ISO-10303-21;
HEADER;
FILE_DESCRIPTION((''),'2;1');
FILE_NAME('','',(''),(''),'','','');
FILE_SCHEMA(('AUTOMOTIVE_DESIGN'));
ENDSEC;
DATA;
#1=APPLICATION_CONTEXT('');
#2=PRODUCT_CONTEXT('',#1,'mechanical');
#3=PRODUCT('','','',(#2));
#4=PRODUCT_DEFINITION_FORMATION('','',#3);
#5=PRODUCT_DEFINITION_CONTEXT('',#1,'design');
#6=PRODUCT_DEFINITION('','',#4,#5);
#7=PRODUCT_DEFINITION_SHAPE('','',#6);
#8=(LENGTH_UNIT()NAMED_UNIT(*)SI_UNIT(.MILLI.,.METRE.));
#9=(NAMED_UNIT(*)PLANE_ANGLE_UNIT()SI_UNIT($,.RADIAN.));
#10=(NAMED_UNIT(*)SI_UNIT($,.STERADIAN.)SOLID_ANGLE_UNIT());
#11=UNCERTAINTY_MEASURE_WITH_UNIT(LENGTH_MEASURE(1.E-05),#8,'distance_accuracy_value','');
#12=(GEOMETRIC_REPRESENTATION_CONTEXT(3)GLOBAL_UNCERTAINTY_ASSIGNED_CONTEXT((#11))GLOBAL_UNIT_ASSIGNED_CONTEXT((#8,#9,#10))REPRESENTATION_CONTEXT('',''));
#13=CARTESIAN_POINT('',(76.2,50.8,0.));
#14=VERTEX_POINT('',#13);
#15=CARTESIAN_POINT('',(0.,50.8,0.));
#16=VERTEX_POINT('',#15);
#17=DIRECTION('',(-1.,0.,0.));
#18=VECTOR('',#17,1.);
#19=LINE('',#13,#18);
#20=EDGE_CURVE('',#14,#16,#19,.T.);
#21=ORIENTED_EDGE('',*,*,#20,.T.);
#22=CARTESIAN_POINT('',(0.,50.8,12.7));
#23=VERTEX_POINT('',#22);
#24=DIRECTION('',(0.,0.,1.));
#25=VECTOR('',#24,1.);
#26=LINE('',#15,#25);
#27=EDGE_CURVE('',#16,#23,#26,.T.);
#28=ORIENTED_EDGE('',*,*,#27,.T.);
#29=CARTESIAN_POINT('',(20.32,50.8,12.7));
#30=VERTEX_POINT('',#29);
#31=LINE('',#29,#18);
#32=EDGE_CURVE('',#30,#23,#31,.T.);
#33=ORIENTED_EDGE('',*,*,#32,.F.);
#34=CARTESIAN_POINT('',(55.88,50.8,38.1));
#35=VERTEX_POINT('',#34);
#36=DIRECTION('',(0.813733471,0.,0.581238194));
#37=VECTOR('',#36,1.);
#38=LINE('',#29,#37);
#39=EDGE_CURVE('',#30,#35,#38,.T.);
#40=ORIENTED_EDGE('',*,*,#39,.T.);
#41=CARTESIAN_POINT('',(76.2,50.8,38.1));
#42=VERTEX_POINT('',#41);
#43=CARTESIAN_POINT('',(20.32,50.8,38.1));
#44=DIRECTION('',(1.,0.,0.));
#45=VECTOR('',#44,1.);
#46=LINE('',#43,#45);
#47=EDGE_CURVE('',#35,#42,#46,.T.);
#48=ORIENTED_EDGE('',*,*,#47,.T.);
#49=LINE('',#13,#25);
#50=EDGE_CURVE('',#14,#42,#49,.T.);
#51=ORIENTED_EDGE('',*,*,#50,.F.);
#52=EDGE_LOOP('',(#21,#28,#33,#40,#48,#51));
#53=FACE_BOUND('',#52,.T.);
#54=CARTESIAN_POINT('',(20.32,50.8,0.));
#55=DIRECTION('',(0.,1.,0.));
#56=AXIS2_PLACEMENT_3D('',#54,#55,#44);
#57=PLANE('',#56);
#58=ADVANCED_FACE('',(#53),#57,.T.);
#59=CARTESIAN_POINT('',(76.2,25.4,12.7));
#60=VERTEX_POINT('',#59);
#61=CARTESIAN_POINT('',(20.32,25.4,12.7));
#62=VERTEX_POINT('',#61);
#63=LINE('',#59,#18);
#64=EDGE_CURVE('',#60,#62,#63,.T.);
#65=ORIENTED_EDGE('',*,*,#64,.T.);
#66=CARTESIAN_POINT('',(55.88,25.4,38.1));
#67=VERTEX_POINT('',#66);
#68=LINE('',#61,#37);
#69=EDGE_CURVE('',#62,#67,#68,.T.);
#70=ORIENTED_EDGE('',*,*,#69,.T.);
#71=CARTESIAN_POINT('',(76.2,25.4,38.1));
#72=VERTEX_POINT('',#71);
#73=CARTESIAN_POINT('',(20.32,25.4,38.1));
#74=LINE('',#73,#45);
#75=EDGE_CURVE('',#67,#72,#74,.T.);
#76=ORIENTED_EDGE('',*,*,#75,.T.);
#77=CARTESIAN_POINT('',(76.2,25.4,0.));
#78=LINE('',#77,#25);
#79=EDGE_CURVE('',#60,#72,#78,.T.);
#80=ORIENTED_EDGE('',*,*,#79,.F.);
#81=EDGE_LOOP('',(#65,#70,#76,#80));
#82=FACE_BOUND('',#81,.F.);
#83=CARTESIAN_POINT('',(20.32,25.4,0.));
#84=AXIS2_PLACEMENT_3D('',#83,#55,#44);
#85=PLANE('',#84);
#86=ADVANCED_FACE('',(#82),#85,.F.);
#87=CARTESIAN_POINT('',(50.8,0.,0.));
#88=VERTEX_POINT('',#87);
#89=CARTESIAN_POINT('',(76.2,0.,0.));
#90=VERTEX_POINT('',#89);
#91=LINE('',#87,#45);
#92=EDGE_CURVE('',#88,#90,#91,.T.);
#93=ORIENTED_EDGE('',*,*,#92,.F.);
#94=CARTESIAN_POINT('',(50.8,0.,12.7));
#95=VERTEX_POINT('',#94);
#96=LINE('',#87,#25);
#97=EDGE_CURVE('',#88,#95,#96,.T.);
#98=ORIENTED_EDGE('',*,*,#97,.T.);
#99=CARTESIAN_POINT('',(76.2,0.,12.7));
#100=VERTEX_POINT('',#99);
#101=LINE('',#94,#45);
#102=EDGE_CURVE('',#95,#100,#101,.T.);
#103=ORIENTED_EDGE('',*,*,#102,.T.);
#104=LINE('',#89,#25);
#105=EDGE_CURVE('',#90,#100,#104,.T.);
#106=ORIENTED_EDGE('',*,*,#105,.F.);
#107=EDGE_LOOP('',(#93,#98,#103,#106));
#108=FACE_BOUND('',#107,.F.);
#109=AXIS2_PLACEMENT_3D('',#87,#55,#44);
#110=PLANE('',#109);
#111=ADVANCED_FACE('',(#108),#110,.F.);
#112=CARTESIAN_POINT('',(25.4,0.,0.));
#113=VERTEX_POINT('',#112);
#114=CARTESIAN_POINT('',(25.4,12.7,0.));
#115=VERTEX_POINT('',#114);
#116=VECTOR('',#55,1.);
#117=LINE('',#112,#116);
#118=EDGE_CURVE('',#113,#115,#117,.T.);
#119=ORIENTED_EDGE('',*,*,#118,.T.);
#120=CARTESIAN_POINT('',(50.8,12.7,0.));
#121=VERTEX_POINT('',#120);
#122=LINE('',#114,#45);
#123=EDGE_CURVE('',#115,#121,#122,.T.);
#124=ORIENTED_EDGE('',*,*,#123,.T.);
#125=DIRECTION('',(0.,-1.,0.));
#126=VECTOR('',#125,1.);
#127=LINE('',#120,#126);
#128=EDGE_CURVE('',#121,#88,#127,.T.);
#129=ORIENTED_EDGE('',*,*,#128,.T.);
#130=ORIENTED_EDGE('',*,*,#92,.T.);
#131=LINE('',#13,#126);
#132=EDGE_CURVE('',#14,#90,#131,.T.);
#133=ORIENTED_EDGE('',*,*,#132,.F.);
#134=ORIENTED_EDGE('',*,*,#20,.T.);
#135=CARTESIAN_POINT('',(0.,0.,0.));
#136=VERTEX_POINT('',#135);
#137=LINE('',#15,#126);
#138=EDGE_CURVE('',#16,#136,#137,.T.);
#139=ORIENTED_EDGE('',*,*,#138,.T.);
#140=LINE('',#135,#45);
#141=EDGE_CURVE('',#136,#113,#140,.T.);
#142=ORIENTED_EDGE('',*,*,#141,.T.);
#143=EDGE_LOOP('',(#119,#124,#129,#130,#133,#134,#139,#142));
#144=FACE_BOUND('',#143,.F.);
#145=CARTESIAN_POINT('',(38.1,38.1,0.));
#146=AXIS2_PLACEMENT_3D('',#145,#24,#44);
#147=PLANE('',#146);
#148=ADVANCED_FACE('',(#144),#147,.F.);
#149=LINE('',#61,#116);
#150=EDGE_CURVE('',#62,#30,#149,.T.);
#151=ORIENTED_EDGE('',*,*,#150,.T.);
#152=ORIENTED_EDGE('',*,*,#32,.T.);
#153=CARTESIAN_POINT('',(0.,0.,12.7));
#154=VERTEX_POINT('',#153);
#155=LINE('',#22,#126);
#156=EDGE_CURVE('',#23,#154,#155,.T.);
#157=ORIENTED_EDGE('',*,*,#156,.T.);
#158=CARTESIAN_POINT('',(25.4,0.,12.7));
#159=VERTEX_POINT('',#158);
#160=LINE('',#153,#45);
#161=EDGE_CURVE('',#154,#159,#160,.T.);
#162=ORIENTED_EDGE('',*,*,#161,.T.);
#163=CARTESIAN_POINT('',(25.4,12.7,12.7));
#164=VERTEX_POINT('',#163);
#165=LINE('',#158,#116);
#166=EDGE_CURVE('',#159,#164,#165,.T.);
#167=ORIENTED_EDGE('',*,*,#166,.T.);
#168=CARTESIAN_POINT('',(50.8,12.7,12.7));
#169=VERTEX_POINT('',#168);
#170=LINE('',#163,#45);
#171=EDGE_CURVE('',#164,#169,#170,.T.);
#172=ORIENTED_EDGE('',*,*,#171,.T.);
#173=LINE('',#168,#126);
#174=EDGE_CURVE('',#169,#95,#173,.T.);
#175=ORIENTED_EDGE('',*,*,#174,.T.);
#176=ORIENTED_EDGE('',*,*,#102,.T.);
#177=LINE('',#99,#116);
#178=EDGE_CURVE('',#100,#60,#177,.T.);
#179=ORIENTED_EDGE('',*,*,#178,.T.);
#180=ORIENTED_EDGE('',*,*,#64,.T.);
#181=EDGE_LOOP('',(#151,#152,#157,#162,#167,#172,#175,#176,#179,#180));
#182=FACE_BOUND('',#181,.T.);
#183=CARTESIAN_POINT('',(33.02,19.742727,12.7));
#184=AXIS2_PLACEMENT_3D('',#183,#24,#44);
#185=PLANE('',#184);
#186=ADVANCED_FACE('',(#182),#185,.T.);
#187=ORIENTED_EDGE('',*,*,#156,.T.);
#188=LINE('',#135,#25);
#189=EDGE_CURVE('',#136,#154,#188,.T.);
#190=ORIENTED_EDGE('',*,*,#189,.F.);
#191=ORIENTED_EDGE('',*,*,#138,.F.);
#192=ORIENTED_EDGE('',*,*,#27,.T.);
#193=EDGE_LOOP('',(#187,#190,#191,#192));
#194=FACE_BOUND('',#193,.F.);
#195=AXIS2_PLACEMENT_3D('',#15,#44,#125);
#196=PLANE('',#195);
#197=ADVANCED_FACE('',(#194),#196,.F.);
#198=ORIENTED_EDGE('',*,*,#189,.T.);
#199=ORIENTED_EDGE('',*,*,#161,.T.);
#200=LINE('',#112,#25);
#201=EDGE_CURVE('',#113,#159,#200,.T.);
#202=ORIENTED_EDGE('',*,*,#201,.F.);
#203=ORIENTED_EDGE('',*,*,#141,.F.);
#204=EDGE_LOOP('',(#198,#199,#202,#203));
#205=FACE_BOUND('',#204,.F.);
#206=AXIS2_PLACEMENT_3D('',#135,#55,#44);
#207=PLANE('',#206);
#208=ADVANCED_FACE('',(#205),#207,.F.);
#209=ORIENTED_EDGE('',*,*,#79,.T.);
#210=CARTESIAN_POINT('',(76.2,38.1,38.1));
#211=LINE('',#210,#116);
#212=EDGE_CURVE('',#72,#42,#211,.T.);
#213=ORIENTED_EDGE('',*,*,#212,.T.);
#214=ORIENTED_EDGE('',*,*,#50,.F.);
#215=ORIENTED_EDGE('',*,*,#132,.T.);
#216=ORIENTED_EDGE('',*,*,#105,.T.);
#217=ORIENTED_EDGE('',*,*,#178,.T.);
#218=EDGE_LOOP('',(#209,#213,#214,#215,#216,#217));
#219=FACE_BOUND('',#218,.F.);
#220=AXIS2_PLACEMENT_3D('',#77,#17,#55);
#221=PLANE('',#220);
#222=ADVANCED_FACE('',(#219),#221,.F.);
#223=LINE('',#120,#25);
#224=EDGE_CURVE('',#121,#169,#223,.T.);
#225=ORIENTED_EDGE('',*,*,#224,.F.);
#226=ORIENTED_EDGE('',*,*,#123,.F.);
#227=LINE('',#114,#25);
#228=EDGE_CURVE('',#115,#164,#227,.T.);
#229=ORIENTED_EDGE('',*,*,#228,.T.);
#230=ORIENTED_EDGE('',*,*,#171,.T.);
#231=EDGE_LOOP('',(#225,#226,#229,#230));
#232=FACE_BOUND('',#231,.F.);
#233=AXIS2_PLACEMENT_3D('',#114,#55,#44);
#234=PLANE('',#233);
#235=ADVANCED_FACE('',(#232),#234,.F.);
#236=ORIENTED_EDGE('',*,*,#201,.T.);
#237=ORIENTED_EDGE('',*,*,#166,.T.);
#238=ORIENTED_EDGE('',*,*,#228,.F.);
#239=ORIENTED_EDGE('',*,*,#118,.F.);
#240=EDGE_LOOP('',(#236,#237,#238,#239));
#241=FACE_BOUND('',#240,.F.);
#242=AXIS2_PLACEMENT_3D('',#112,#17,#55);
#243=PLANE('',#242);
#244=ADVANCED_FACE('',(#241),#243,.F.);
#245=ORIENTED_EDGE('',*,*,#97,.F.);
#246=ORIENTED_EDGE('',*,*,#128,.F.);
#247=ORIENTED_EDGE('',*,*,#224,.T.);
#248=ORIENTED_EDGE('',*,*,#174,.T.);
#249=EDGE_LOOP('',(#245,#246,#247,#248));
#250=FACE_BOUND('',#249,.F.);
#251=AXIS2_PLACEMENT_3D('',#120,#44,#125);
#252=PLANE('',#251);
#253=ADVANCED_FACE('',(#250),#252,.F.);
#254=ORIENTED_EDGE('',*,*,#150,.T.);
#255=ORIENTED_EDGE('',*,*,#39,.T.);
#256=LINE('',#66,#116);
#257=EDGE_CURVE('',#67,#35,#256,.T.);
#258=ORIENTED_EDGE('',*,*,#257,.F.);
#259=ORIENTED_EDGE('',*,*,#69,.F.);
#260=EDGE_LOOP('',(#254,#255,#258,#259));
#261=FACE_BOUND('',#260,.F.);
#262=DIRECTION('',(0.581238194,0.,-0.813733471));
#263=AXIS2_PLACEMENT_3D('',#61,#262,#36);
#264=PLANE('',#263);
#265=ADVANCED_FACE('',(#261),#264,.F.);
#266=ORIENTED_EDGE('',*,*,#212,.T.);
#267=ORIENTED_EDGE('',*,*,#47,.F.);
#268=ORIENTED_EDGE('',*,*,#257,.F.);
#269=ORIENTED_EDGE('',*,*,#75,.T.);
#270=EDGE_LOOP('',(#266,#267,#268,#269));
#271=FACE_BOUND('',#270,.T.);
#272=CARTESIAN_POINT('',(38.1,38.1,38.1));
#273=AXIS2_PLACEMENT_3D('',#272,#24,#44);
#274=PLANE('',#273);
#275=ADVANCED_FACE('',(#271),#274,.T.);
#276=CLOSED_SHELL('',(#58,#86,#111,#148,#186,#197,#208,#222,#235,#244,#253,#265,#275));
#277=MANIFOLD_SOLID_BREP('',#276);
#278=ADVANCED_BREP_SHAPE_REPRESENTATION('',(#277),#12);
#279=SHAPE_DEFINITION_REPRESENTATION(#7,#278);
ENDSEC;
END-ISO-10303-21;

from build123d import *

# Parameters (mm, degrees)
F1_DEPTH = 12.7
F0_W     = 20.32
F0_H     = 25.4
F2_DEPTH = 38.1
F0_W_2   = 35.56
F3_DEPTH = 38.1
F5_DEPTH = 25.4


with BuildPart() as f1:
    # F0 (on Top) → F1 (new body)
    with BuildSketch(Plane.XY):
        Polygon((0, 50.8), (0, 0), (25.4, 0), (25.4, 12.7), (50.8, 12.7), (50.8, 0), (76.2, 0), (76.2, 25.4), (55.88, 25.4), (20.32, 25.4), (20.32, 50.8), align=None)
    extrude(amount=F1_DEPTH)

    # F0 (on Top) → F2 (join)
    with BuildSketch(Plane.XY):
        with Locations((66.04, 38.1)):
            Rectangle(F0_W, F0_H)
    extrude(amount=F2_DEPTH)

    # F0 (on Top) → F3 (join)
    with BuildSketch(Plane.XY):
        with Locations((38.1, 38.1)):
            Rectangle(F0_W_2, F0_H)
    extrude(amount=F3_DEPTH)

    # F4 (on face) → F5 (cut)
    with BuildSketch(Plane.XZ.offset(-25.4)):
        Polygon((20.32, 38.1), (20.32, 12.7), (55.88, 38.1), align=None)
    extrude(amount=-F5_DEPTH, mode=Mode.SUBTRACT)


solid = f1.part
